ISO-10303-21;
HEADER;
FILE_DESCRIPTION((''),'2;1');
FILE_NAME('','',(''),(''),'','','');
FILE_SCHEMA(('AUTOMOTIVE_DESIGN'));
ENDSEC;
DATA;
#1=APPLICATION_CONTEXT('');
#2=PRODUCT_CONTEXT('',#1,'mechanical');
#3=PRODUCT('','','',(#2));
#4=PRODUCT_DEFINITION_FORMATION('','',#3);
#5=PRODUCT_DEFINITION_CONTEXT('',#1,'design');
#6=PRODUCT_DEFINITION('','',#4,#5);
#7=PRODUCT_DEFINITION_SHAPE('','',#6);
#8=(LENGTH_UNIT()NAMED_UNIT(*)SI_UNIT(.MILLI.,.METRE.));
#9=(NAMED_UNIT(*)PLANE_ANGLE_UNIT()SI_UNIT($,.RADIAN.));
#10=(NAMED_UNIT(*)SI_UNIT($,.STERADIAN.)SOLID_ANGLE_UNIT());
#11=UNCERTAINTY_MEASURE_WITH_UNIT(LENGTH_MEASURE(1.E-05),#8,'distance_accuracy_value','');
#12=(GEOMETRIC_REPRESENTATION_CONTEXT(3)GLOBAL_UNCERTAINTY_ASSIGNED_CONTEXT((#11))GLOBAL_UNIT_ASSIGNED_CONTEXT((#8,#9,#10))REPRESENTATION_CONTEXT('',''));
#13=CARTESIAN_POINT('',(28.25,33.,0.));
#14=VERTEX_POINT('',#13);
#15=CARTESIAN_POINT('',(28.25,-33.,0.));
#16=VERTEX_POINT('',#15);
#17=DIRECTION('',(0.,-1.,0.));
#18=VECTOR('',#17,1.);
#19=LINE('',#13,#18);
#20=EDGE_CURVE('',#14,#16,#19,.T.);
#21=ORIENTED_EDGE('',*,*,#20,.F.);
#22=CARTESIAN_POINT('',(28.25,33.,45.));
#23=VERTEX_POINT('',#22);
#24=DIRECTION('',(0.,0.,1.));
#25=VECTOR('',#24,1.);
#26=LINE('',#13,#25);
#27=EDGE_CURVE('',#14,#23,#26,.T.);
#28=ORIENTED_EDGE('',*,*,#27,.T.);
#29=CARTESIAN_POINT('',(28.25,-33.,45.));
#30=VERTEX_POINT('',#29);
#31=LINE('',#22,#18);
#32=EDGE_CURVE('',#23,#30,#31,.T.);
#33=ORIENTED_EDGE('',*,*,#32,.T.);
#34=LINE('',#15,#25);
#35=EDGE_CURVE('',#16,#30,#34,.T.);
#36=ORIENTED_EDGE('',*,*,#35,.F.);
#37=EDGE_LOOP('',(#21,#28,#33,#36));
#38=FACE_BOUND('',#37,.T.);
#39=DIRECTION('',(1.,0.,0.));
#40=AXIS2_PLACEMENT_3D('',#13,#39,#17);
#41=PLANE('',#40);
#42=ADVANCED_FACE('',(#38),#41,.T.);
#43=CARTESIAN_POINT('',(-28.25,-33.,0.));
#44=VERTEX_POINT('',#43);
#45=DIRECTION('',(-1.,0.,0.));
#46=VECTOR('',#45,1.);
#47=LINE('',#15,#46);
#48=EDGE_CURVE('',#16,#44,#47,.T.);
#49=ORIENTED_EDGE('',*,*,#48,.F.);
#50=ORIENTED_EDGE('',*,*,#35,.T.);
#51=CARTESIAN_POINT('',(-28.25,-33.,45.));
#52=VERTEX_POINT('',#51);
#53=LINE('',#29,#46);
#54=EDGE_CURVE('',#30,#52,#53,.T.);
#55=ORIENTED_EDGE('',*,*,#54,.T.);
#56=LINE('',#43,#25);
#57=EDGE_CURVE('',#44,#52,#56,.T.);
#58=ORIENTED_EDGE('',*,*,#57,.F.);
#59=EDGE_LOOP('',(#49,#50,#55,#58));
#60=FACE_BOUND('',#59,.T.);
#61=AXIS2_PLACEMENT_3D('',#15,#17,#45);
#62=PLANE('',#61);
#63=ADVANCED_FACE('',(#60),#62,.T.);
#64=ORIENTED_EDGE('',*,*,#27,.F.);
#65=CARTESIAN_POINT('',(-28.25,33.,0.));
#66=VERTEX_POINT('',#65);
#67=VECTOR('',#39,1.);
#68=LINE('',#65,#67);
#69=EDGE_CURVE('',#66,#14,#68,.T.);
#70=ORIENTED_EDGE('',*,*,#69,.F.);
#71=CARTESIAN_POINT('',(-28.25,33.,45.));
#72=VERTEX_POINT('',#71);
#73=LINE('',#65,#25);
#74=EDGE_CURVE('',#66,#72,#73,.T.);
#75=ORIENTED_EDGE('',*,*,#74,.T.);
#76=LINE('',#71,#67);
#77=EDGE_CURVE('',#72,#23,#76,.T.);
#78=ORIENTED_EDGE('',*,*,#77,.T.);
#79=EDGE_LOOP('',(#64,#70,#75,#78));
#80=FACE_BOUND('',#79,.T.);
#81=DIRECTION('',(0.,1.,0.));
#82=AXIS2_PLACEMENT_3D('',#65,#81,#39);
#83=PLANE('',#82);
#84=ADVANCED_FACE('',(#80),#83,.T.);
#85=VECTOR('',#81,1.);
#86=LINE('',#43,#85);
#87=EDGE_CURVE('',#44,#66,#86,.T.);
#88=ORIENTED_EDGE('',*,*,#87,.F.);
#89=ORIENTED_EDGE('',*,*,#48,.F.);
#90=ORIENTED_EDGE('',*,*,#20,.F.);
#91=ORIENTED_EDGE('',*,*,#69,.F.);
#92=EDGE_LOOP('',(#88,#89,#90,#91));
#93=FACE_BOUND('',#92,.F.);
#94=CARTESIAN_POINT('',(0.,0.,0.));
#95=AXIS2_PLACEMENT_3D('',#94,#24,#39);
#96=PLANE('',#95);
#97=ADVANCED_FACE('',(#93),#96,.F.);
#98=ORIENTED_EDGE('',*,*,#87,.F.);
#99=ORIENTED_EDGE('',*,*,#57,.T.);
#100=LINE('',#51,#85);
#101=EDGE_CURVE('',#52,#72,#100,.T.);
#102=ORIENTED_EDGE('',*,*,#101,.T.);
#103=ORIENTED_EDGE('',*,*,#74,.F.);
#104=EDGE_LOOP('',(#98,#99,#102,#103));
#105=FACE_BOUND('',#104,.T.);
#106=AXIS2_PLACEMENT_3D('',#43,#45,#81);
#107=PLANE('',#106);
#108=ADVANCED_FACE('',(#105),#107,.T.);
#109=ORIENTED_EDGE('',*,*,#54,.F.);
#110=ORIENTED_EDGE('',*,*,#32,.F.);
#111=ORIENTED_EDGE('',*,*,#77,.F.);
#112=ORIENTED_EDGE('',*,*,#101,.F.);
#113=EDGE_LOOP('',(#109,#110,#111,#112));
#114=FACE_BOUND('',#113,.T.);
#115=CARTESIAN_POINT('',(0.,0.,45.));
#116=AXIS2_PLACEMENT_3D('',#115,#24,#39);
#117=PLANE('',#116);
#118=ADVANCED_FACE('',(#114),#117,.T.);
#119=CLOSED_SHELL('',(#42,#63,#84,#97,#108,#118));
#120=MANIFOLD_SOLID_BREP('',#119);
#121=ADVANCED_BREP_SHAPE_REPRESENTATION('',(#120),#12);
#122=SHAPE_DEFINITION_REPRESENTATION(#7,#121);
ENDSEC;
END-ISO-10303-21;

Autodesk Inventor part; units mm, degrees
ref_plane "YZ Plane" through (0, 0, 0) normal (1, 0, 0) x (0, 1, 0)
ref_plane "XZ Plane" through (0, 0, 0) normal (0, 1, 0) x (-1, 0, 0)
ref_plane "XY Plane" through (0, 0, 0) normal (0, 0, 1) x (1, 0, 0)
sketch "스케치1" plane through (0, 0, 0) normal (0, 0, 1) x (1, 0, 0)
  line L0 (28.25, -33) -> (-28.25, -33)
  line L1 (-28.25, -33) -> (-28.25, 33)
  line L2 (-28.25, 33) -> (28.25, 33)
  line L3 (28.25, 33) -> (28.25, -33)
  line L4 (28.25, -33) -> (-28.25, 33) construction
  line L5 (-28.25, -33) -> (28.25, 33) construction
  point P0 (0, 0)
  dimension "d0" = 56.5
  dimension "d1" = 66
extrude "돌출1" add sketch "스케치1" along normal blind 45
properties part number "battery_1"
